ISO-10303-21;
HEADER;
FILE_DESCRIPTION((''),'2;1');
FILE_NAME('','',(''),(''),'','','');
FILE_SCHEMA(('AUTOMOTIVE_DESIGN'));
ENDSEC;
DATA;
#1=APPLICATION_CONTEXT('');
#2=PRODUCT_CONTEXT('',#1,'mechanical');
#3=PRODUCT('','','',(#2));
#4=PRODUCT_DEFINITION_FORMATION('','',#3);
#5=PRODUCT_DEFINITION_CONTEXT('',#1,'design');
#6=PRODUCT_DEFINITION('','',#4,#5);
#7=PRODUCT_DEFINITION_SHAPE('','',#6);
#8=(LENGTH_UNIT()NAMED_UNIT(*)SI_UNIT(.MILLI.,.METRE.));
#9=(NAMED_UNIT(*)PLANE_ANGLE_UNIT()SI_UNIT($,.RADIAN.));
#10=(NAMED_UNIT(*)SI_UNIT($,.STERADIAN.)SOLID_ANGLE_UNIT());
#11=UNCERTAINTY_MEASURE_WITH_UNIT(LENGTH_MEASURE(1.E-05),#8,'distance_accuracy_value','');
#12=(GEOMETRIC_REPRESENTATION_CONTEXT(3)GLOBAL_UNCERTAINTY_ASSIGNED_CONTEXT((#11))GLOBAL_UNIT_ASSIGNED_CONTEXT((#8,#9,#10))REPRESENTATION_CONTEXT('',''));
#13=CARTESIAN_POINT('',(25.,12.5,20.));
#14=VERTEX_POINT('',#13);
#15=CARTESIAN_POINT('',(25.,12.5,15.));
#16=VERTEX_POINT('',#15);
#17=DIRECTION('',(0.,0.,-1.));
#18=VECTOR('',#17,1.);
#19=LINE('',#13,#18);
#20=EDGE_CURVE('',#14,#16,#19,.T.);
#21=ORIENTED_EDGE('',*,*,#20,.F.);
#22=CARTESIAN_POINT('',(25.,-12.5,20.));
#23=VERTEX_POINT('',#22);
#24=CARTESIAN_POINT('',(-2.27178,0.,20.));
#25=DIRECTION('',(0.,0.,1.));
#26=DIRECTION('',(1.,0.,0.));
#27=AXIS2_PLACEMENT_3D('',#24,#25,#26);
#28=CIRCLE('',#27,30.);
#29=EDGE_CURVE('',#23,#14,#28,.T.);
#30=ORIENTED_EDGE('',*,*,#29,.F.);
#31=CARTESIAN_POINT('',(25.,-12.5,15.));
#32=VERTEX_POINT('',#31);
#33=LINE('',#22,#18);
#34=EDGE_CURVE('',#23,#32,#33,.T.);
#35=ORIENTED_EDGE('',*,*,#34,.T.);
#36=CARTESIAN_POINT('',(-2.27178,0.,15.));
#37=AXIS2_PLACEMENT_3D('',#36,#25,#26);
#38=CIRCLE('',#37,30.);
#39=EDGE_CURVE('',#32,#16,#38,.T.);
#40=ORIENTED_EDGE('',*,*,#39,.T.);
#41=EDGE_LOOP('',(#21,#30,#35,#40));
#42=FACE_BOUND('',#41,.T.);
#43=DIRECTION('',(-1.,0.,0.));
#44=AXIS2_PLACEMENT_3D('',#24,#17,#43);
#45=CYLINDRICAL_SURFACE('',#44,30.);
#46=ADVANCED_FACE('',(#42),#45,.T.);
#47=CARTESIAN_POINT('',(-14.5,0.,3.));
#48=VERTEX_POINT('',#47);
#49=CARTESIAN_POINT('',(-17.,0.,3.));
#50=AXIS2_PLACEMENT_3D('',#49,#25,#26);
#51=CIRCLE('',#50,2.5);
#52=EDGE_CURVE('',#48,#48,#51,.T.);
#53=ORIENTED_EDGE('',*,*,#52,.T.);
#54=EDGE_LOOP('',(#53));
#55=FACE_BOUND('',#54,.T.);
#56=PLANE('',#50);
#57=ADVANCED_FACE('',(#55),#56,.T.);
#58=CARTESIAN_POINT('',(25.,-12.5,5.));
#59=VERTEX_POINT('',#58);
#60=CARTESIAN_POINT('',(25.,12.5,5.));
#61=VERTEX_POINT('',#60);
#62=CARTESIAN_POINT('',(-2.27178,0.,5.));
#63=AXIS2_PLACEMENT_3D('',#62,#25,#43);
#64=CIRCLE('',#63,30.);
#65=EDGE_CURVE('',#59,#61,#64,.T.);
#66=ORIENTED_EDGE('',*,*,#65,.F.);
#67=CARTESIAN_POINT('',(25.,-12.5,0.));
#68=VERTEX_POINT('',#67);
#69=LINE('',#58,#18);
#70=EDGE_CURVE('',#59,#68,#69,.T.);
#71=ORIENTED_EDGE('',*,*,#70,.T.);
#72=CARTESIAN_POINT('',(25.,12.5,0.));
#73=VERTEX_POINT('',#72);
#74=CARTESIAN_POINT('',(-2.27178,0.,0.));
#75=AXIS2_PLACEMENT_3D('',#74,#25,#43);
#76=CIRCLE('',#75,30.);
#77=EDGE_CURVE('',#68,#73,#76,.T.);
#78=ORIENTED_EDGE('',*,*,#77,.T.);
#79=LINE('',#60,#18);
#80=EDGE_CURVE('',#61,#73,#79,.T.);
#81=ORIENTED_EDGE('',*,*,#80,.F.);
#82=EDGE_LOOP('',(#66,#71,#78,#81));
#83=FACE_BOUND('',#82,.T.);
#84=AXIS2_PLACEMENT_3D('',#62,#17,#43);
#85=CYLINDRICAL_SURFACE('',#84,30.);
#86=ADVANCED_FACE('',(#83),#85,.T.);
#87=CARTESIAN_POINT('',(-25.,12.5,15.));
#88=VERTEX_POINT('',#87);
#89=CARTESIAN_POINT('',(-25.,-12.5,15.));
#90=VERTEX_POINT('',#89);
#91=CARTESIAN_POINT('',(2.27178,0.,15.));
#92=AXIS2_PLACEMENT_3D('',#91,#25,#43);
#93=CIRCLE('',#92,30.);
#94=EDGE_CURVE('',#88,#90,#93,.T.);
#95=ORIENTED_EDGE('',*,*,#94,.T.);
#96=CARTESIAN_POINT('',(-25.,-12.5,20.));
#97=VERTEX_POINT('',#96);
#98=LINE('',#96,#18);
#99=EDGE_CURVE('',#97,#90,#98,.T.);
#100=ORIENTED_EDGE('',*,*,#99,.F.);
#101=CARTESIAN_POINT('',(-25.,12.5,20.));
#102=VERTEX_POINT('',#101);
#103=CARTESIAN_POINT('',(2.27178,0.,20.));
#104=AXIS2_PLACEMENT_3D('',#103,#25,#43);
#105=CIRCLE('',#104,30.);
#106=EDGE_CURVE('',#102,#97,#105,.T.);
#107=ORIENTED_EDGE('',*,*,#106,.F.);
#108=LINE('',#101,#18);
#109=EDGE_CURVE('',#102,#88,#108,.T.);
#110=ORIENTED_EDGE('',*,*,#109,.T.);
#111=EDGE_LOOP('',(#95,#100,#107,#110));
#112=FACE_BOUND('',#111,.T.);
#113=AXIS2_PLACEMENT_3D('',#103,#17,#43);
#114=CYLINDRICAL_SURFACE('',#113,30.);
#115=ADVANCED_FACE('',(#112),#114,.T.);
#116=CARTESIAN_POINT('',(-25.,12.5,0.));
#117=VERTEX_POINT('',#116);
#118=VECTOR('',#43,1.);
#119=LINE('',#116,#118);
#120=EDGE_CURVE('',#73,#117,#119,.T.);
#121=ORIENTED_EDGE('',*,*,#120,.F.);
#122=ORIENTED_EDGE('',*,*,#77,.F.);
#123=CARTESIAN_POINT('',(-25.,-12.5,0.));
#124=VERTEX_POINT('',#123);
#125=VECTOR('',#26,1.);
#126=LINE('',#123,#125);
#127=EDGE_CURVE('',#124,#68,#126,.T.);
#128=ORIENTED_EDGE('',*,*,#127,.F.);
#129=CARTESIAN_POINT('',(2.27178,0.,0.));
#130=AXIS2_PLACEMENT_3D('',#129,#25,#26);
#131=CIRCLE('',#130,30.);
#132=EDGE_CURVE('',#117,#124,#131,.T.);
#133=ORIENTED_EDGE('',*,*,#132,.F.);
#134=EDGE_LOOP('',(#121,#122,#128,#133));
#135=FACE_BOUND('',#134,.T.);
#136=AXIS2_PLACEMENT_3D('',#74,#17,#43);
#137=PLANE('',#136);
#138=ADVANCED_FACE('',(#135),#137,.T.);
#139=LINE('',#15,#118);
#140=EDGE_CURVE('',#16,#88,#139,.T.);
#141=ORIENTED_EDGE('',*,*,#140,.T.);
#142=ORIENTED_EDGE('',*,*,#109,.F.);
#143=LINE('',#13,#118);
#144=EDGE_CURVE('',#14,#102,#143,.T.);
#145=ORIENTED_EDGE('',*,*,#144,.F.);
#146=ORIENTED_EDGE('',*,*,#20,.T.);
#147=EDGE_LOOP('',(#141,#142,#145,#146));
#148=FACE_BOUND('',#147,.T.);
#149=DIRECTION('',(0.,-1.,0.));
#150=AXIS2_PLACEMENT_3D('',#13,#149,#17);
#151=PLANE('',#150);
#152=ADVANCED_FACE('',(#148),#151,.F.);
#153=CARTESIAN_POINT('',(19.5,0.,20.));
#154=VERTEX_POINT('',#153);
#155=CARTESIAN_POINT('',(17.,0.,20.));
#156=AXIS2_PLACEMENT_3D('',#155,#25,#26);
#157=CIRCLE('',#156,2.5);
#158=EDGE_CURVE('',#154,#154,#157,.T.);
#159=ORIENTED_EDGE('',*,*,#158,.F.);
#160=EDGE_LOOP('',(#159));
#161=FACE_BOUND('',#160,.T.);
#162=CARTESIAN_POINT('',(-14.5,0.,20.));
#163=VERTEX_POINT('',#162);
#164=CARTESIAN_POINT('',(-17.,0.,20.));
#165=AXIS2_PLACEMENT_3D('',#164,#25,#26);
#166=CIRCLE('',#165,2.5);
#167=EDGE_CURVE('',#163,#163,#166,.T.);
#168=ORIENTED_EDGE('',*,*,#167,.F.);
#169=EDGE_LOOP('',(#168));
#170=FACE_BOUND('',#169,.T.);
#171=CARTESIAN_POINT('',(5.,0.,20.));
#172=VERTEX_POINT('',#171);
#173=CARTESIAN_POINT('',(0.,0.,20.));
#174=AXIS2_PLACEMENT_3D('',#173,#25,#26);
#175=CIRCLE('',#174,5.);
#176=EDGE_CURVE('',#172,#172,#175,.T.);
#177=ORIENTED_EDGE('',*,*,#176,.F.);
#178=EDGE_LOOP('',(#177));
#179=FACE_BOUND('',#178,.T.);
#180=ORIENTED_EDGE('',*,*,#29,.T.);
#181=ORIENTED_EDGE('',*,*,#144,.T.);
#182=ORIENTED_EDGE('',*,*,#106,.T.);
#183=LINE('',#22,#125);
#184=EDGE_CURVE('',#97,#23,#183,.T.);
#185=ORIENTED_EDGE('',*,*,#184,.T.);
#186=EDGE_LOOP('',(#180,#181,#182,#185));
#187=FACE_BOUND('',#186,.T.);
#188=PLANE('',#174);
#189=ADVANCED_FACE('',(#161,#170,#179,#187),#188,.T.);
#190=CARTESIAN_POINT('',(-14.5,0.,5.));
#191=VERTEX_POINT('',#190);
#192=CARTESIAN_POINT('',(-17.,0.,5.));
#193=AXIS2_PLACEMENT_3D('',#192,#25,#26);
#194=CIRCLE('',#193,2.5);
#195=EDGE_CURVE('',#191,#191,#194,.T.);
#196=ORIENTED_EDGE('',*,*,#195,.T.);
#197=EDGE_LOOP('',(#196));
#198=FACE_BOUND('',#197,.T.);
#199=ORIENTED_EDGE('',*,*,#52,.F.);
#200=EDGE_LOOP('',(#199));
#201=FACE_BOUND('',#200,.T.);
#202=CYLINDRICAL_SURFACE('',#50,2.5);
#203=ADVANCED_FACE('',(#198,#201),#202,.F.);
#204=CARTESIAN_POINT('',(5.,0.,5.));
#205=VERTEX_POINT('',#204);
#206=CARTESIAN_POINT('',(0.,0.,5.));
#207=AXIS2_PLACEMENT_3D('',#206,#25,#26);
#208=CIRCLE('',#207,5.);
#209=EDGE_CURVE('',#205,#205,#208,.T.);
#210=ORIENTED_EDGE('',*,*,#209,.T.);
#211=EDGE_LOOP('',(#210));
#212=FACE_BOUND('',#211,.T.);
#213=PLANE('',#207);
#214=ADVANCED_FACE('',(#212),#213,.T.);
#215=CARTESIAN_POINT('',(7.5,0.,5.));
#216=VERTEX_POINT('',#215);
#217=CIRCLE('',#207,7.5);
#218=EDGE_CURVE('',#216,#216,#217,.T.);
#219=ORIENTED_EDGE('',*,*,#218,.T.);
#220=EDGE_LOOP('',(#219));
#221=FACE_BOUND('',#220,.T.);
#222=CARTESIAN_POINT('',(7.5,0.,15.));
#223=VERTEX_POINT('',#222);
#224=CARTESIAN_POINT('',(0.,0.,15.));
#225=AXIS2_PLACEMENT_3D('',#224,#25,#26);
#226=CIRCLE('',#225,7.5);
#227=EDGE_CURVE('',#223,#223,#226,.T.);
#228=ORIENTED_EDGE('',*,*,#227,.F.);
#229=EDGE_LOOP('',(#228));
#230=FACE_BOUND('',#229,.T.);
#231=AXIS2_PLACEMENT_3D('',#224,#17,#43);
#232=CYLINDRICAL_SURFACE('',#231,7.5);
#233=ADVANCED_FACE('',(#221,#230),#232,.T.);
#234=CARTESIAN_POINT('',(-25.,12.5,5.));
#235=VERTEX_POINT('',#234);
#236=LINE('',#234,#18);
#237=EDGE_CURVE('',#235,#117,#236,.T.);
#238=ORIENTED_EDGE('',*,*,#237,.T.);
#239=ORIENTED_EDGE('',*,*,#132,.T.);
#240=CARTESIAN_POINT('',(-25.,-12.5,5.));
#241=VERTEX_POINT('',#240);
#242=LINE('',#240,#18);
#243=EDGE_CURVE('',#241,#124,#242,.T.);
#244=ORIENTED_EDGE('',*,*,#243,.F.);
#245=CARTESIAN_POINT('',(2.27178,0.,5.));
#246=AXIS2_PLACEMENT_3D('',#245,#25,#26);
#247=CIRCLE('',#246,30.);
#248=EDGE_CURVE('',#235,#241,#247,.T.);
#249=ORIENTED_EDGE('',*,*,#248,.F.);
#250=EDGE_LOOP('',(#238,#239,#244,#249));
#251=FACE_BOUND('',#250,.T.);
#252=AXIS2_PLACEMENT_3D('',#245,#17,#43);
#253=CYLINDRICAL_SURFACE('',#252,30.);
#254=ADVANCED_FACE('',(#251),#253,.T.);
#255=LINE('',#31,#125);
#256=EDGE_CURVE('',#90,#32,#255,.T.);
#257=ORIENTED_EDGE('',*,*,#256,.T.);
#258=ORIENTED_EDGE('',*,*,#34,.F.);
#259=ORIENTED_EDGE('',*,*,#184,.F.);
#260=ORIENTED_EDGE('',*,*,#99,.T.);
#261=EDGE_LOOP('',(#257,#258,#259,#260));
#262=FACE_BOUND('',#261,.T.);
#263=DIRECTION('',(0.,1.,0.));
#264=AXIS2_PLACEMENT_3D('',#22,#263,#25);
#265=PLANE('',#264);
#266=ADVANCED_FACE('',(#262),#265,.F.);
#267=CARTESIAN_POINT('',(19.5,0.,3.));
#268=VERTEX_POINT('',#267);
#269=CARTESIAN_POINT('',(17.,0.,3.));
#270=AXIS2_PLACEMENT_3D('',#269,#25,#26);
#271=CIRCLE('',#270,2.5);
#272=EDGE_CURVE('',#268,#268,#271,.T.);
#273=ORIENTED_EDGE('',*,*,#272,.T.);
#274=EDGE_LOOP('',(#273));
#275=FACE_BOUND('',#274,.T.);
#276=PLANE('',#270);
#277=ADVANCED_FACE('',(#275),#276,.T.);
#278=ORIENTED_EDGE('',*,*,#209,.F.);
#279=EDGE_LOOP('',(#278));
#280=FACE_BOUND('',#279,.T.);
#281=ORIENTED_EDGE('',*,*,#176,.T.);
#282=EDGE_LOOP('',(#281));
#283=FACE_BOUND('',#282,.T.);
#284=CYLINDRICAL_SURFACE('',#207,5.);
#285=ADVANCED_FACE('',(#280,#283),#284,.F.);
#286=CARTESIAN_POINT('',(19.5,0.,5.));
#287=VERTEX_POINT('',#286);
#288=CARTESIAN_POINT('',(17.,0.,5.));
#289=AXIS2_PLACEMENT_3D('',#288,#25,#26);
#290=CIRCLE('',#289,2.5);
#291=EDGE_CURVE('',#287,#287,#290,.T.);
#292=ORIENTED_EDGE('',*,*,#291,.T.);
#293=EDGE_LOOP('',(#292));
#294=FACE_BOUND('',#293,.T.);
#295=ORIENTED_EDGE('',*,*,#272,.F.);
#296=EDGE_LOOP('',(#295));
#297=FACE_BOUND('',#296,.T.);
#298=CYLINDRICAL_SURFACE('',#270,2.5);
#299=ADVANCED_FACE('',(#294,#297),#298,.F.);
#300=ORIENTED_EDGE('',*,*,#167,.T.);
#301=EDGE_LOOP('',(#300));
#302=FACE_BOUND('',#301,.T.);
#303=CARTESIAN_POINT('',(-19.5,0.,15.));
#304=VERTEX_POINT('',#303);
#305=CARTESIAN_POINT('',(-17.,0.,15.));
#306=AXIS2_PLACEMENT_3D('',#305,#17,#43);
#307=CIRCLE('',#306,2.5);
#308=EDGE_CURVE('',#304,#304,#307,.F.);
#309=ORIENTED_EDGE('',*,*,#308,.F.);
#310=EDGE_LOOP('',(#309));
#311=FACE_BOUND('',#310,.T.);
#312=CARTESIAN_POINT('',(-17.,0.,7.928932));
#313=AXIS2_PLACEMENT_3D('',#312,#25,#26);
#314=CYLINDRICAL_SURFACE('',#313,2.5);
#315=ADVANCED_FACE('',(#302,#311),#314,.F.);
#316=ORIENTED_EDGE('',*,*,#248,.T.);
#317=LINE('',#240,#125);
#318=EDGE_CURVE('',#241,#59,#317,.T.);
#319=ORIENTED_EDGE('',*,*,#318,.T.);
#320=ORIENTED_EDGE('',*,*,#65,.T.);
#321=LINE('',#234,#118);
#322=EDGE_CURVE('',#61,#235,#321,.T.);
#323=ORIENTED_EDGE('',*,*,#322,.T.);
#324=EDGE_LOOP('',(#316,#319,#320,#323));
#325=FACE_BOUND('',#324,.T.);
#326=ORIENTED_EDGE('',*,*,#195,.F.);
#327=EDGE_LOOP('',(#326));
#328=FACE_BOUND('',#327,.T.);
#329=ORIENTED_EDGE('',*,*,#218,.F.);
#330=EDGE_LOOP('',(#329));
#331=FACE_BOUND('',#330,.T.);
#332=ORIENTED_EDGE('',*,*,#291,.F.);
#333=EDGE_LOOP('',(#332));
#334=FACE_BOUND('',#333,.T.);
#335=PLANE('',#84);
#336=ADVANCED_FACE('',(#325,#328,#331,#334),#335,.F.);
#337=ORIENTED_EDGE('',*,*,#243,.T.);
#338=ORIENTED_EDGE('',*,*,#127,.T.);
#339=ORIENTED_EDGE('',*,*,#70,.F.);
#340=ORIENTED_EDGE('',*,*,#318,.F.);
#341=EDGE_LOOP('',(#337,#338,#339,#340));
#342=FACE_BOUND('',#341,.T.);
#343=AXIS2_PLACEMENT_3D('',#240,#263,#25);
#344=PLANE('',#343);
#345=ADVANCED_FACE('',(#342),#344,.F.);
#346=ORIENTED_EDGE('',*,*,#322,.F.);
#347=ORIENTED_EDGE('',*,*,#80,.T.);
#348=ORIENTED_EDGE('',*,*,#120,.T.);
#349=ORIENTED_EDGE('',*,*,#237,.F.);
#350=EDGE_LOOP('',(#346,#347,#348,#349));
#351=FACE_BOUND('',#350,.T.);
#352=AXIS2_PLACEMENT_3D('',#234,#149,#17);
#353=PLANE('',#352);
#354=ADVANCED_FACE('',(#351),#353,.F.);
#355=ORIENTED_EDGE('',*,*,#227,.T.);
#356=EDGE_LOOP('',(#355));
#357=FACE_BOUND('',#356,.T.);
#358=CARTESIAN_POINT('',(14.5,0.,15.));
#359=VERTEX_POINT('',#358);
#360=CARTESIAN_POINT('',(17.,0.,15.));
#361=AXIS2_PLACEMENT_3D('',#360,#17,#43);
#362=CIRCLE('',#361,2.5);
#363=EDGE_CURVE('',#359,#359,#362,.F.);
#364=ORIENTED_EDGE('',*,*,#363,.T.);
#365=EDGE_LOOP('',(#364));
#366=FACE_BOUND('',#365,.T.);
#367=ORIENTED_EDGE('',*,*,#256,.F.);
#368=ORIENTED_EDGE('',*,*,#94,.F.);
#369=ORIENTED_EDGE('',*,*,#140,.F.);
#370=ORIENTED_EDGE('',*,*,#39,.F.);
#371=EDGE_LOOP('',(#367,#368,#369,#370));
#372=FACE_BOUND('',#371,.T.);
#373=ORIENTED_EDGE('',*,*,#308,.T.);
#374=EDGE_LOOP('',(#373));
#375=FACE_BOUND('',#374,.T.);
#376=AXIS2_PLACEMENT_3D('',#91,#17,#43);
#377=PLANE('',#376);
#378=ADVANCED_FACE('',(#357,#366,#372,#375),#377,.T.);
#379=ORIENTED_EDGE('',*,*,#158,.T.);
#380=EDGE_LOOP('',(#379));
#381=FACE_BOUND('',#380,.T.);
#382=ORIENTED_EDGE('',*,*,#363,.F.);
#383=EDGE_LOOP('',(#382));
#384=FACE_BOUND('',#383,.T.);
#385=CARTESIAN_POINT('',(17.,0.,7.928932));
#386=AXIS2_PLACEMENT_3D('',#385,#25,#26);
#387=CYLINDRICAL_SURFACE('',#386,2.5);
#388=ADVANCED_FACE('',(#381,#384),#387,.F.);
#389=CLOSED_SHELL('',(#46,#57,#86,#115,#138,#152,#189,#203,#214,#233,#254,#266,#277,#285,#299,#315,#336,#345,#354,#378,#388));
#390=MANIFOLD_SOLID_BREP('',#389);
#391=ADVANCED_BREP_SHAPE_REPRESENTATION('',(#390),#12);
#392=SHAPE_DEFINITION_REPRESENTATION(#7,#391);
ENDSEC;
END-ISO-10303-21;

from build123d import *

# Parameters (mm, degrees)
BOSS_EXTRUDE1_DEPTH = 5
SKETCH2_R           = 7.5
BOSS_EXTRUDE2_DEPTH = 10
SKETCH3_R           = 2.5
CUT_EXTRUDE1_DEPTH  = 2
SKETCH4_R           = 7.5
BOSS_EXTRUDE3_DEPTH = 5
SKETCH6_R           = 7.5
BOSS_EXTRUDE4_DEPTH = 5
SKETCH7_R           = 5
CUT_EXTRUDE2_DEPTH  = 15
SKETCH8_R           = 2.5
CUT_EXTRUDE3_DEPTH  = 5


with BuildPart() as part:
    # Sketch1 → Boss-Extrude1 (new body)
    with BuildSketch(Plane.XY):
        with BuildLine():
            Line((-25, -12.5), (25, -12.5))
            ThreePointArc((25, -12.5), (27.728219713, 0), (25, 12.5))
            Line((25, 12.5), (-25, 12.5))
            ThreePointArc((-25, 12.5), (-27.728219713, 0), (-25, -12.5))
        make_face()
    extrude(amount=BOSS_EXTRUDE1_DEPTH)

    # Sketch2 → Boss-Extrude2 (add)
    with BuildSketch(Plane.XY.offset(5)):
        Circle(SKETCH2_R)
    extrude(amount=BOSS_EXTRUDE2_DEPTH)

    # Sketch3 → Cut-Extrude1 (cut)
    with BuildSketch(Plane.XY.offset(5)):
        with Locations((17, 0)):
            Circle(SKETCH3_R)
        with Locations((-17, 0)):
            Circle(SKETCH3_R)
    extrude(amount=-CUT_EXTRUDE1_DEPTH, mode=Mode.SUBTRACT)



with BuildPart() as body_2:
    # Sketch4 → Boss-Extrude3 (new body)
    with BuildSketch(Plane.XY.offset(15)):
        with BuildLine():
            Line((25, 12.5), (-25, 12.5))
            ThreePointArc((-25, 12.5), (-27.728219713, 0), (-25, -12.5))
            Line((-25, -12.5), (25, -12.5))
            ThreePointArc((25, -12.5), (27.728219713, 0), (25, 12.5))
        make_face()
        Circle(SKETCH4_R, mode=Mode.SUBTRACT)
    extrude(amount=BOSS_EXTRUDE3_DEPTH)


with BuildPart() as part_1:
    add(part.part)

    add(body_2.part)  # Boss-Extrude4 merges body 2
    # Sketch6 → Boss-Extrude4 (add)
    with BuildSketch(Plane.XY.offset(15)):
        Circle(SKETCH6_R)
    extrude(amount=BOSS_EXTRUDE4_DEPTH)

    # Sketch7 → Cut-Extrude2 (cut)
    with BuildSketch(Plane.XY.offset(20)):
        Circle(SKETCH7_R)
    extrude(amount=-CUT_EXTRUDE2_DEPTH, mode=Mode.SUBTRACT)

    # Sketch8 → Cut-Extrude3 (cut)
    with BuildSketch(Plane.XY.offset(20)):
        with Locations((17, 0)):
            Circle(SKETCH8_R)
        with Locations((-17, 0)):
            Circle(SKETCH8_R)
    extrude(amount=-CUT_EXTRUDE3_DEPTH, mode=Mode.SUBTRACT)


solid = part_1.part
